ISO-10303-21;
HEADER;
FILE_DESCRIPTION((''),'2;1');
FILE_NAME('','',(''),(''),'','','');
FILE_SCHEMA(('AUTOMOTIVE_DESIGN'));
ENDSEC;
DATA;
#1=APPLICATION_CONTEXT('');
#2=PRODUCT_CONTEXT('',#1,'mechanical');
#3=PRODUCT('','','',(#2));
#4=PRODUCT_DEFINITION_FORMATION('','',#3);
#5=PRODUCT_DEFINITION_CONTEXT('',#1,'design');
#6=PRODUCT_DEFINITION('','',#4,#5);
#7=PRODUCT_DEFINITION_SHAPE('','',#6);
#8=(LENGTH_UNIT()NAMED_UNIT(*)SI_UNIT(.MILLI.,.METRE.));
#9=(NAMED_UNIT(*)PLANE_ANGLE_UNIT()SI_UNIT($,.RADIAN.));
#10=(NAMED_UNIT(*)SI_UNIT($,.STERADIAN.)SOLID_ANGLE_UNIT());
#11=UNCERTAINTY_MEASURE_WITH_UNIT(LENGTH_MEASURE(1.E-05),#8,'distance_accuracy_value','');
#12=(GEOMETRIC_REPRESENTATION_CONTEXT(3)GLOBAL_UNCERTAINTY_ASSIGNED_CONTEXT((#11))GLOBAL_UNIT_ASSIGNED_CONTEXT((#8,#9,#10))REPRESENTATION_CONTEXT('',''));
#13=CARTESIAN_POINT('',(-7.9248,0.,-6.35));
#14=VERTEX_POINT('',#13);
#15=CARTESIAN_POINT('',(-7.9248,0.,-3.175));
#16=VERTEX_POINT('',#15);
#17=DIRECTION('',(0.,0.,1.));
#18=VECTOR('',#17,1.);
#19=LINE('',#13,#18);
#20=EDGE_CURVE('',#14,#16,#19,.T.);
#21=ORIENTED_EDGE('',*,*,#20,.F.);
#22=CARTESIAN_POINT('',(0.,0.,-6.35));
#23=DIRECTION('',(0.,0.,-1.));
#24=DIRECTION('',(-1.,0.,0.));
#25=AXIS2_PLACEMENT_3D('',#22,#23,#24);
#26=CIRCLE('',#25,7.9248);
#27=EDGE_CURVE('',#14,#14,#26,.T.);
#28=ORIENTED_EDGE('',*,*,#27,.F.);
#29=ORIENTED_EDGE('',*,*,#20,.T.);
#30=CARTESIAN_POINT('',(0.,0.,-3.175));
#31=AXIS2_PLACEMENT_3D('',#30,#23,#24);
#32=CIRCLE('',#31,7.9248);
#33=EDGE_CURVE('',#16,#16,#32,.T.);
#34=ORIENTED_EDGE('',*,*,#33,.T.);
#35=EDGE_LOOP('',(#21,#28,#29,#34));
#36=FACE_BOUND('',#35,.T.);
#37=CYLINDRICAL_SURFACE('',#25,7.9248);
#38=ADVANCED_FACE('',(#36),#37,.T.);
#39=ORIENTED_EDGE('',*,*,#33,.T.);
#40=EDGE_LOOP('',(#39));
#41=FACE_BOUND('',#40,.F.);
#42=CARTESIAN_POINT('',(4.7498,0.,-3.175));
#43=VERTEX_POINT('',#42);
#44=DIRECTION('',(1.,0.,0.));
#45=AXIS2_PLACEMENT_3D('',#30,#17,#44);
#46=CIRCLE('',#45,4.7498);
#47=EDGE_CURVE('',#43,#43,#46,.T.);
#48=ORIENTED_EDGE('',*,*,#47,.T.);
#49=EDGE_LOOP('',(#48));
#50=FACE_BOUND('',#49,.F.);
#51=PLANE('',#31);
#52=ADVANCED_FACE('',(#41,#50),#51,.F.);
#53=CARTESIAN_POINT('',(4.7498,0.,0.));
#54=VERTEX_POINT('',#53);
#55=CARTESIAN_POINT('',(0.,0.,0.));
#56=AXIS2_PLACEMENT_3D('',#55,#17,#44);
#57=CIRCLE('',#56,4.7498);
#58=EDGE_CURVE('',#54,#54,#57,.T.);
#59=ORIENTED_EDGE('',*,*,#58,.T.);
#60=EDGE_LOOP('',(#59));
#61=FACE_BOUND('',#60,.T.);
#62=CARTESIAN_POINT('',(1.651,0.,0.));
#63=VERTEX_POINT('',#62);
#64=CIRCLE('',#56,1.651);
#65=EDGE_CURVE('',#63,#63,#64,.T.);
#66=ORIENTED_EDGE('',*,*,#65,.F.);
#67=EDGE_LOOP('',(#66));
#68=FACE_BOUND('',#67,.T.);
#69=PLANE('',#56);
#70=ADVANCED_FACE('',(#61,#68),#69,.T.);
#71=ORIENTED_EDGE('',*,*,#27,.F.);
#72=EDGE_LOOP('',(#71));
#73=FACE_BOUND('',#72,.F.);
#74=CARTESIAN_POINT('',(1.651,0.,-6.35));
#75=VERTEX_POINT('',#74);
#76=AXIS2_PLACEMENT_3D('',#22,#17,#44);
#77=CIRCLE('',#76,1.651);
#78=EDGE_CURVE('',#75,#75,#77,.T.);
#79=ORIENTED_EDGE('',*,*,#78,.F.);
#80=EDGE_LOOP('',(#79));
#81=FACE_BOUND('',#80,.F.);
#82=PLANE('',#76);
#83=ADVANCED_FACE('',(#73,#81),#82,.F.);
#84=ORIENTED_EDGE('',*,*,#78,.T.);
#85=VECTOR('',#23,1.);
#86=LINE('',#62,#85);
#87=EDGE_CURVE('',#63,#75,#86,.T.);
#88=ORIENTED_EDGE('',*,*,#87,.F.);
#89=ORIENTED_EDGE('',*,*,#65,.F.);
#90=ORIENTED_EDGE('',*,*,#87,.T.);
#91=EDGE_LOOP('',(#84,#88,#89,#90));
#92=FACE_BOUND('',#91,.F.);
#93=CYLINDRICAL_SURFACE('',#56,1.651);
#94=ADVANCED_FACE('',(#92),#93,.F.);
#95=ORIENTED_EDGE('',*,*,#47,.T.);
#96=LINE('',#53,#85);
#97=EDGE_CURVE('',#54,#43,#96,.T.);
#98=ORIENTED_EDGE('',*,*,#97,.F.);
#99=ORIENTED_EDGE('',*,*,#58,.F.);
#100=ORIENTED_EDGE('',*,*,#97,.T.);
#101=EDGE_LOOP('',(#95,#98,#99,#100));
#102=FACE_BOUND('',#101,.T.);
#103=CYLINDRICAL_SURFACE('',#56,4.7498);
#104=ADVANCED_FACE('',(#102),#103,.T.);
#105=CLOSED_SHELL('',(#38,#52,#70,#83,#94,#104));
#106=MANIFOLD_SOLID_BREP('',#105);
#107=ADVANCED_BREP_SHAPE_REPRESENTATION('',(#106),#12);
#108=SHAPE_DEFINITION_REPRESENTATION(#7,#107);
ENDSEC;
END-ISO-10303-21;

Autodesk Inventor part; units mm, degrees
ref_plane "YZ Plane" through (0, 0, 0) normal (1, 0, 0) x (0, 1, 0)
ref_plane "XZ Plane" through (0, 0, 0) normal (0, 1, 0) x (-1, 0, 0)
ref_plane "XY Plane" through (0, 0, 0) normal (0, 0, 1) x (1, 0, 0)
sketch "Sketch4" plane through (0, 0, 0) normal (0, 0, 1) x (1, 0, 0)
  circle A0 centre (0, 0) radius 1.651
  circle A1 centre (0, 0) radius 4.7498
  dimension "d9" = 3.302
  dimension "d16" = 9.4996
extrude "Extrusion4" add sketch "Sketch4" against normal blind 6.35
sketch "Sketch5" plane through (0, 0, -6.35) normal (0, 0, -1) x (-1, 0, 0)
  circle A0 centre (0, 0) radius 4.7498 projected
  circle A1 centre (0, 0) radius 7.9248
  dimension "d13" = 3.175
extrude "Extrusion5" add sketch "Sketch5" against normal blind 3.175
equation "\"d14\" = 0.5 * d11"
equation "\"d11\" = 6.35"
properties part number "T-Spacer 3 of 32 inch"
